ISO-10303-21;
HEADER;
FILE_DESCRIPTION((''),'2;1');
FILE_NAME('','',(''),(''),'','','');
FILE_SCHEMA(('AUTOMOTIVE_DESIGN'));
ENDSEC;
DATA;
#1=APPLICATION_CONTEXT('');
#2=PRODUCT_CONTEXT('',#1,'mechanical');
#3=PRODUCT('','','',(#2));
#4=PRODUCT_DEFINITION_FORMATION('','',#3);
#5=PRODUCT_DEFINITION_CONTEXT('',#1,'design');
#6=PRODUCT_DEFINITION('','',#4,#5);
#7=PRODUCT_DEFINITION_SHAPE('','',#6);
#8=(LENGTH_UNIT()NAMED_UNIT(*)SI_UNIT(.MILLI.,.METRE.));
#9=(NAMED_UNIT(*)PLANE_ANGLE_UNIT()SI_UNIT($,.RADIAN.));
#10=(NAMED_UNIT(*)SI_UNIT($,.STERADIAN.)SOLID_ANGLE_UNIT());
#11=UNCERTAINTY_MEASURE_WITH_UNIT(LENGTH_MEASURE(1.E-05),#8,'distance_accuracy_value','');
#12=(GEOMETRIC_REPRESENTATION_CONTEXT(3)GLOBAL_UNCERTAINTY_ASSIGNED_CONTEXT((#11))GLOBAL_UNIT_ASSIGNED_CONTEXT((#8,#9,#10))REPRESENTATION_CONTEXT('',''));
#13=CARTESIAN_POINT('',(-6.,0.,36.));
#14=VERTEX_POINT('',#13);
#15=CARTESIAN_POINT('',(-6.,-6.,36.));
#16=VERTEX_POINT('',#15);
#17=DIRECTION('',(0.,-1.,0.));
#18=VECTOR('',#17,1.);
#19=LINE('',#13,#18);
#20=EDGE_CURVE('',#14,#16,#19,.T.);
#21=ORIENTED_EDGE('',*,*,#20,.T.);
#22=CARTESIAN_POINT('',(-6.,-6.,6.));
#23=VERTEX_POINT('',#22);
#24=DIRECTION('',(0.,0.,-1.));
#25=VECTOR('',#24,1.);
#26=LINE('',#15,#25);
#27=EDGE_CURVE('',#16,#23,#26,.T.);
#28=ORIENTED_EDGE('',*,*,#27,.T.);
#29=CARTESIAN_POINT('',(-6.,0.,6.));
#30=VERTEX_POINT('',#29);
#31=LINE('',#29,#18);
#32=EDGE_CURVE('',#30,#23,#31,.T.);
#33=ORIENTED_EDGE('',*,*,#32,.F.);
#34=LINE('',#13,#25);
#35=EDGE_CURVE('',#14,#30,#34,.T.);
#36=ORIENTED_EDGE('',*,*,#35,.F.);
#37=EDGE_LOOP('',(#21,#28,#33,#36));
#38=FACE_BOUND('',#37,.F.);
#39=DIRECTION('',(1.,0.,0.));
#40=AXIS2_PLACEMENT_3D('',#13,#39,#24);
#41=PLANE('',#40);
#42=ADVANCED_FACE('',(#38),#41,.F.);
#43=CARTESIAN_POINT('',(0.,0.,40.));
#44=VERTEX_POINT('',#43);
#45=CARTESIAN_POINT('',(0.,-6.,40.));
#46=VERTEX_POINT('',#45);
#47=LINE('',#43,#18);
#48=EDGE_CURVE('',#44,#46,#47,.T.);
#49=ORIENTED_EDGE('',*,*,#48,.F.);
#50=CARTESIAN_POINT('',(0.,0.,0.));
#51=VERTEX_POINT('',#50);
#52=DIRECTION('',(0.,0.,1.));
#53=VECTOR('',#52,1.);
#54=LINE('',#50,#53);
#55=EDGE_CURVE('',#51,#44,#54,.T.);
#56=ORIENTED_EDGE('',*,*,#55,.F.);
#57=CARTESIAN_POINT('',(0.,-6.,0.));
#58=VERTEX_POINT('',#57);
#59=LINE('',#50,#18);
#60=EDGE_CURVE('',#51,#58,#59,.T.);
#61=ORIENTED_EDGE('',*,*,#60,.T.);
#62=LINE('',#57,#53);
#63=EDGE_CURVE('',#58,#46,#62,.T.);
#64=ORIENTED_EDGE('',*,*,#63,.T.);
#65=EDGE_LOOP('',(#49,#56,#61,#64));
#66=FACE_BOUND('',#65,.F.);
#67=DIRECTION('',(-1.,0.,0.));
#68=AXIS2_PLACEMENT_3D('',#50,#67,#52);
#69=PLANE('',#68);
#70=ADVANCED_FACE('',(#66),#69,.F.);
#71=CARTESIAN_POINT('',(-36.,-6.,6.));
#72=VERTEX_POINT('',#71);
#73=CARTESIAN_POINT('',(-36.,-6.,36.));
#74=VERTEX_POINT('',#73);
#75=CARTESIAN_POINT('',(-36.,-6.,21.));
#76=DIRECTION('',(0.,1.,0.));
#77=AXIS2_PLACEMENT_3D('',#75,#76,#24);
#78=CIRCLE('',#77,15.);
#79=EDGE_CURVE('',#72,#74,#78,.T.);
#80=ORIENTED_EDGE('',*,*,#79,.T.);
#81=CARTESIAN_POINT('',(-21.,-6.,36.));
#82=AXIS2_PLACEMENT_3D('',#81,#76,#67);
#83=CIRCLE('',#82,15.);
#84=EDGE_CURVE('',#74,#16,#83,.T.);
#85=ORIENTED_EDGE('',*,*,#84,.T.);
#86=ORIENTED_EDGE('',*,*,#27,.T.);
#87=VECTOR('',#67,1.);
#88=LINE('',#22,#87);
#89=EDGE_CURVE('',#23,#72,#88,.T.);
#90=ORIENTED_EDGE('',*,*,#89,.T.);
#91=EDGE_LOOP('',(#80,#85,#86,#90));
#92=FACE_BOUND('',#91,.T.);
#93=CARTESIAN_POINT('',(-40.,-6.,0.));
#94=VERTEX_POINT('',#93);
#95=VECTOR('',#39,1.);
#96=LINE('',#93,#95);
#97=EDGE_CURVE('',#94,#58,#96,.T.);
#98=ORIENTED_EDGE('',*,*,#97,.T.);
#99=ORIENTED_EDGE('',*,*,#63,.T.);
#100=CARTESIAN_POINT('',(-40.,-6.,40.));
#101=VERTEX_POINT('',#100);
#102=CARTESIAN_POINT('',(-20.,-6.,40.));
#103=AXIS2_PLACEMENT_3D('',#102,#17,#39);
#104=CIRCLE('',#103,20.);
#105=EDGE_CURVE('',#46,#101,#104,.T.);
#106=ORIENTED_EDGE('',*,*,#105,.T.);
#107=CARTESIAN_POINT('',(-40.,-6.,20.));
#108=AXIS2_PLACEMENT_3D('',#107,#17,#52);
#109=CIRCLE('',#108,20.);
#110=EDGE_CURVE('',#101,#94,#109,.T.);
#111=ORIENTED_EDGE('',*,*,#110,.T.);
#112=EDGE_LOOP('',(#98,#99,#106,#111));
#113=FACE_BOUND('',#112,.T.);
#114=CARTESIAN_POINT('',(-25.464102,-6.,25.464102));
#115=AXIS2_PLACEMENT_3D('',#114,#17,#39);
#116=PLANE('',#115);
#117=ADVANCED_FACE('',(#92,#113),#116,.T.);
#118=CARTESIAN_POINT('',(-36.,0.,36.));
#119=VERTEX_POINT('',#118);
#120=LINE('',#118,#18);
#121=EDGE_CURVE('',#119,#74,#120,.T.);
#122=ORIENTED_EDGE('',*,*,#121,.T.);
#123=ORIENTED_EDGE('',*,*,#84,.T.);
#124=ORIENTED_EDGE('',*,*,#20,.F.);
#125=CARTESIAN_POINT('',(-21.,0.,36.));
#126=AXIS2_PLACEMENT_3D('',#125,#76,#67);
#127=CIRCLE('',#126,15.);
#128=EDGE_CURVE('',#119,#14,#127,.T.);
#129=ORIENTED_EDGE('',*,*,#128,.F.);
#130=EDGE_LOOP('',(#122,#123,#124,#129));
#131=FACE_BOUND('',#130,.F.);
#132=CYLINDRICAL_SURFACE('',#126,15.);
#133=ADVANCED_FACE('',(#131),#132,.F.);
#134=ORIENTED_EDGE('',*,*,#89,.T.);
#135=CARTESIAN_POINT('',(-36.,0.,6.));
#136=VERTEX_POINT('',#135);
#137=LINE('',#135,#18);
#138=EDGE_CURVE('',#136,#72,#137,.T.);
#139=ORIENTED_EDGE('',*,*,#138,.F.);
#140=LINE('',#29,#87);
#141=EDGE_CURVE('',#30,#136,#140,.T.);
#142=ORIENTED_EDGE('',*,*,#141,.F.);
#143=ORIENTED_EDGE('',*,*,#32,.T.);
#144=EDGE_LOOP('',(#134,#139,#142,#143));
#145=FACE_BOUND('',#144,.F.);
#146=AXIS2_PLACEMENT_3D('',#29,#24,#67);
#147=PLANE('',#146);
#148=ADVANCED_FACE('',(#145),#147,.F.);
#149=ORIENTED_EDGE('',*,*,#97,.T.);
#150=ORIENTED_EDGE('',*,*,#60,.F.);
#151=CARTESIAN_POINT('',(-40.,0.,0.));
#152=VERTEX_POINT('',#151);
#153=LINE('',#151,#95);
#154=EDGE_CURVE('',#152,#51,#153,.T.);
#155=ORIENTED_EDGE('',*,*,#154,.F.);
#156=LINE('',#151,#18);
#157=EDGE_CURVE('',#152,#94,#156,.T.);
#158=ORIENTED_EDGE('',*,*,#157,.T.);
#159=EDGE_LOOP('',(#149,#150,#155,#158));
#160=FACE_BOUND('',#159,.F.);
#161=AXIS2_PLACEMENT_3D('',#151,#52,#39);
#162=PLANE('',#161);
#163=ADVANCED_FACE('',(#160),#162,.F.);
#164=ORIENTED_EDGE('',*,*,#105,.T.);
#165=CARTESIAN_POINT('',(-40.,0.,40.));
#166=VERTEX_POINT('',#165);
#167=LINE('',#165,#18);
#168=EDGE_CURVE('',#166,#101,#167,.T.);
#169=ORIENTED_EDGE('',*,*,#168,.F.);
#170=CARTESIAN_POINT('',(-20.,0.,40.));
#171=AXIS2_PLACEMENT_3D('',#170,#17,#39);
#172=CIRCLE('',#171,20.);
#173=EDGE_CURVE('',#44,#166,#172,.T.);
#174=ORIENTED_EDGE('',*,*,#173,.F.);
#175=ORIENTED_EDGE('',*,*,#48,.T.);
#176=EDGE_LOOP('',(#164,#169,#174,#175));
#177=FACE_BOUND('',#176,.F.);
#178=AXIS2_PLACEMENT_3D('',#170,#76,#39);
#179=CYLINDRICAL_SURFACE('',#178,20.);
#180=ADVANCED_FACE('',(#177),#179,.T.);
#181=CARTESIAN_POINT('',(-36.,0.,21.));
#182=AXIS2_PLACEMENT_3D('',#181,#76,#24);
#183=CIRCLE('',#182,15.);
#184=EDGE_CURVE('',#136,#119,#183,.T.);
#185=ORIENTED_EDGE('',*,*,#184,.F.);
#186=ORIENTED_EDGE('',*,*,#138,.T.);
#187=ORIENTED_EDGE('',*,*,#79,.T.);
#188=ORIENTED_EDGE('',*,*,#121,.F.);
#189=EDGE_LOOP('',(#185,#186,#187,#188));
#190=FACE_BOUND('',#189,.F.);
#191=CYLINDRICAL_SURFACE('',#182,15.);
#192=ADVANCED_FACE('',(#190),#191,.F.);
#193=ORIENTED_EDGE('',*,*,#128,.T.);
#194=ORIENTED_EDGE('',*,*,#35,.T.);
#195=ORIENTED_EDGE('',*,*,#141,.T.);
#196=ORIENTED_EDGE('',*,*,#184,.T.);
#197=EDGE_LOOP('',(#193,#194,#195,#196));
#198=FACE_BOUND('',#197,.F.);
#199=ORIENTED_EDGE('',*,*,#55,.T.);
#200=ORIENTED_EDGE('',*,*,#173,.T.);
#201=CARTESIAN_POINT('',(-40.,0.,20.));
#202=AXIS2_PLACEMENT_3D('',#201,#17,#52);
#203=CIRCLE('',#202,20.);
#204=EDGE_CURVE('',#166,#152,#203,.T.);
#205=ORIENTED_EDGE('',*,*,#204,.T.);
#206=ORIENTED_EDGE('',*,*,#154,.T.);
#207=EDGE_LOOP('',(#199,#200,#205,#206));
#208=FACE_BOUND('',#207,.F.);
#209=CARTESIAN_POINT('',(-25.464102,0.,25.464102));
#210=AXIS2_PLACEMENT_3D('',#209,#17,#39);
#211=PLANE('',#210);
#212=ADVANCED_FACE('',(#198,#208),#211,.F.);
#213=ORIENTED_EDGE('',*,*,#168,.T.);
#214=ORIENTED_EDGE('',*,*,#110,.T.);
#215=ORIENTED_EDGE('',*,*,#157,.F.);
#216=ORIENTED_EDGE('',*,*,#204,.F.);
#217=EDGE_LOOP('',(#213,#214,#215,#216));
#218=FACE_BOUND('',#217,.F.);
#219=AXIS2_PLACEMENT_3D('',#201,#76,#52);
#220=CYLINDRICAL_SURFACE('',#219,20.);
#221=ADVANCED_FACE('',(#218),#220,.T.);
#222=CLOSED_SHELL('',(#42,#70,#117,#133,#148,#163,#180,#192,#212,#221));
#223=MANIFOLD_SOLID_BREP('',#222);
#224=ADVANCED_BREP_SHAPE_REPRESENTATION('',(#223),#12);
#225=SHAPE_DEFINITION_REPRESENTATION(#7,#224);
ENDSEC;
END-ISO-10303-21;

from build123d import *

# Parameters (mm, degrees)
F1_DEPTH = 6


with BuildPart() as f1:
    # F0 (on Front) → F1 (new body)
    with BuildSketch(Plane.XZ):
        with BuildLine():
            Line((-40, 0), (0, 0))
            Line((0, 0), (0, 40))
            ThreePointArc((0, 40), (-20, 60), (-40, 40))
            ThreePointArc((-40, 40), (-60, 20), (-40, 0))
        make_face()
        with BuildLine():
            Line((-6, 6), (-36, 6))
            ThreePointArc((-36, 6), (-51, 21), (-36, 36))
            ThreePointArc((-36, 36), (-21, 51), (-6, 36))
            Line((-6, 36), (-6, 6))
        make_face(mode=Mode.SUBTRACT)
    extrude(amount=F1_DEPTH)


solid = f1.part
